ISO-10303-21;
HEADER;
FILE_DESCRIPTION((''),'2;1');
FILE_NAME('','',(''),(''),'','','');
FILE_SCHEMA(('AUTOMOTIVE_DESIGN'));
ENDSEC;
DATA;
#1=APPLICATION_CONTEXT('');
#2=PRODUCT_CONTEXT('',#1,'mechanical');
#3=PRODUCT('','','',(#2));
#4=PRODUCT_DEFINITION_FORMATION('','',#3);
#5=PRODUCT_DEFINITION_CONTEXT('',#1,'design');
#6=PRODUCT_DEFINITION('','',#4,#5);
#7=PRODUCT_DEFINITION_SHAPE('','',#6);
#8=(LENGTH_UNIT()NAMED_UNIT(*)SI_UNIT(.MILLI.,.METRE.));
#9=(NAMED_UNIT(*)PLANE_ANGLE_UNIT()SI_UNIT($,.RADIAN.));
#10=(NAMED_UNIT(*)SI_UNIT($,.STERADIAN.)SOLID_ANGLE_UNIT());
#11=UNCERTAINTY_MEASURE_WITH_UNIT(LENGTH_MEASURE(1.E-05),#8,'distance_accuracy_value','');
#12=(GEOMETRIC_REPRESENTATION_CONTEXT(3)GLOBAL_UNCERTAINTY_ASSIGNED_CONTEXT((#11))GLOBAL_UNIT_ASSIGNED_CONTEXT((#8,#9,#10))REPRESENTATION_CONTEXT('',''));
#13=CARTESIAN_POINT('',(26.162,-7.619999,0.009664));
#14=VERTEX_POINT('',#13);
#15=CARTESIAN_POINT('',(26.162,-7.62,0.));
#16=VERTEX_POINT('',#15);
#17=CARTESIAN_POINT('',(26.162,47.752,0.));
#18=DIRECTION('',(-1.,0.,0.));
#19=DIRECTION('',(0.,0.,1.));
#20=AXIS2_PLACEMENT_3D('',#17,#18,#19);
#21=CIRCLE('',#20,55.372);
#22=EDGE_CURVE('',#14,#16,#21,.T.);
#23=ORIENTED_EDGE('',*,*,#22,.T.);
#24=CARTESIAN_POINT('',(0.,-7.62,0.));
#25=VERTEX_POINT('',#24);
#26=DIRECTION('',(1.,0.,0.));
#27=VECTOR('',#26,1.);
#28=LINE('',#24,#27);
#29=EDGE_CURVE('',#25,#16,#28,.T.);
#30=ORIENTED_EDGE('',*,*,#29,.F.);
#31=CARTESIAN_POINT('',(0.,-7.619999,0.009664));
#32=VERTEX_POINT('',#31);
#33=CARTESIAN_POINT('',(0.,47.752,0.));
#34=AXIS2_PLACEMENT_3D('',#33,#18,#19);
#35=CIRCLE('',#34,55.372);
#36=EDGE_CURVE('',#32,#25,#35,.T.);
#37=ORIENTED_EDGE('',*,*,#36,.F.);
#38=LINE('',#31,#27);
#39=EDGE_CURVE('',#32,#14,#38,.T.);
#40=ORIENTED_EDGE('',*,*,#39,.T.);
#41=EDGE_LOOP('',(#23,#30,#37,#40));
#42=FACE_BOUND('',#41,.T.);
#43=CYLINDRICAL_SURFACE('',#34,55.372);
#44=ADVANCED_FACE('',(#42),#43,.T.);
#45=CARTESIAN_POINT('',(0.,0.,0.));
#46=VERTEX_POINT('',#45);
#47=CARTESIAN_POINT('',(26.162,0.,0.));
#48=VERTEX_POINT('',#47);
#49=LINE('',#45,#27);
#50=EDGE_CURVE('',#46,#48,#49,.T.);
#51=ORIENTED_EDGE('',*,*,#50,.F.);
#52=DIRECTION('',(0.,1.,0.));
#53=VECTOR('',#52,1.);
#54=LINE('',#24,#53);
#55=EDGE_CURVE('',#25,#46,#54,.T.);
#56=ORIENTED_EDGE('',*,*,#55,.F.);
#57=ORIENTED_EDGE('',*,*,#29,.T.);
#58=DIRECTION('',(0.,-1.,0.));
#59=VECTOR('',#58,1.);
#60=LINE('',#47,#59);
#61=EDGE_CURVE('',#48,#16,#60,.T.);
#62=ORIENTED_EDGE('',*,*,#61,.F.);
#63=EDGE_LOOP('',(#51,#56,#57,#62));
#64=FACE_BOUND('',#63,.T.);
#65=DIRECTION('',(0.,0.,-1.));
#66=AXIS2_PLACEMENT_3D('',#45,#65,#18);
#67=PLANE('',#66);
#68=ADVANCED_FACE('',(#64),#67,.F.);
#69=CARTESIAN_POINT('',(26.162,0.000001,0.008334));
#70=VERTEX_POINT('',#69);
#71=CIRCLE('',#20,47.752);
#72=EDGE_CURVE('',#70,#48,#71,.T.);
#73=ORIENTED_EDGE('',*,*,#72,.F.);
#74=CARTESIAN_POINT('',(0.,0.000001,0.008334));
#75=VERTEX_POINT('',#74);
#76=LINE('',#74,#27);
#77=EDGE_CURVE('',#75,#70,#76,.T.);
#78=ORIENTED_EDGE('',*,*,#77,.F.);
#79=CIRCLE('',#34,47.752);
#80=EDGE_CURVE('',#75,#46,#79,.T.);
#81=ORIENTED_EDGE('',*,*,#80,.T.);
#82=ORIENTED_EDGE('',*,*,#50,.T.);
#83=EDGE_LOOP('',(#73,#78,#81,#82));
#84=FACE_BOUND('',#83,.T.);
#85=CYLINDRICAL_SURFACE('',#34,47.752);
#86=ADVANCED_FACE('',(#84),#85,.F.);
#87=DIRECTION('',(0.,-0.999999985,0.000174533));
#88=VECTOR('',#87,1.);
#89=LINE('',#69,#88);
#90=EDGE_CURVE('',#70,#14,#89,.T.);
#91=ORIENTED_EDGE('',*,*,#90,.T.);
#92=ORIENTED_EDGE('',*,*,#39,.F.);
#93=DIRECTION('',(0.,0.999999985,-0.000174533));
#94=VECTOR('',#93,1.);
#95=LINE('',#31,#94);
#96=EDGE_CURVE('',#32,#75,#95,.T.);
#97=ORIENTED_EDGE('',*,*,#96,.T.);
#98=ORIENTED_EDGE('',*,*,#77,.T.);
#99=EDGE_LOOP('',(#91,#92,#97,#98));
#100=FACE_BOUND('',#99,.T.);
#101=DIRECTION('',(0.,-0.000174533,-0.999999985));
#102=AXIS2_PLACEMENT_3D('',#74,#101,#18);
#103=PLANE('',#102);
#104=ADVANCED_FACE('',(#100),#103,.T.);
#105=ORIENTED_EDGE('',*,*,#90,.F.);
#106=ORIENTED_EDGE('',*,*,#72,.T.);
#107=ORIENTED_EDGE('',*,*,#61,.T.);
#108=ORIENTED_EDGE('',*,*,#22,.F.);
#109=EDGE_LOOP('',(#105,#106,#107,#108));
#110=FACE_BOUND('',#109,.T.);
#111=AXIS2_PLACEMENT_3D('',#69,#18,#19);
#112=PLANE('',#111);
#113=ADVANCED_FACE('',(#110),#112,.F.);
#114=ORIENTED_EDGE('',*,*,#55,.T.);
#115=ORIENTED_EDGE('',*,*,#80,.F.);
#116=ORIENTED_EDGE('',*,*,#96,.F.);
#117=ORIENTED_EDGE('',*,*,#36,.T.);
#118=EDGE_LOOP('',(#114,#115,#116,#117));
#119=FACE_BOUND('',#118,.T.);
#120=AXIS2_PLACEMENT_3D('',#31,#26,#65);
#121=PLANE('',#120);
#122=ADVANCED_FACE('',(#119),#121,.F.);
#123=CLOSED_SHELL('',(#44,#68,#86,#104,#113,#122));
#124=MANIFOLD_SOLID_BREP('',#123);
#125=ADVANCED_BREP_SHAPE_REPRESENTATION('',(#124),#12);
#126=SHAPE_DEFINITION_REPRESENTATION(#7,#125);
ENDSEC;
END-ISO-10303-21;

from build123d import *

# Parameters (mm, degrees)
SKETCH1_W           = 26.162
SKETCH1_H           = 7.62
REVOLVE_THIN1_ANGLE = 359.99


with BuildPart() as part:
    # Sketch1 → Revolve-Thin1 (revolve)
    with BuildSketch(Plane.XY):
        with Locations((13.081, -3.81)):
            Rectangle(SKETCH1_W, SKETCH1_H)
    revolve(axis=Axis((0, 47.752, 0), (1, 0, 0)), revolution_arc=REVOLVE_THIN1_ANGLE)


solid = part.part
